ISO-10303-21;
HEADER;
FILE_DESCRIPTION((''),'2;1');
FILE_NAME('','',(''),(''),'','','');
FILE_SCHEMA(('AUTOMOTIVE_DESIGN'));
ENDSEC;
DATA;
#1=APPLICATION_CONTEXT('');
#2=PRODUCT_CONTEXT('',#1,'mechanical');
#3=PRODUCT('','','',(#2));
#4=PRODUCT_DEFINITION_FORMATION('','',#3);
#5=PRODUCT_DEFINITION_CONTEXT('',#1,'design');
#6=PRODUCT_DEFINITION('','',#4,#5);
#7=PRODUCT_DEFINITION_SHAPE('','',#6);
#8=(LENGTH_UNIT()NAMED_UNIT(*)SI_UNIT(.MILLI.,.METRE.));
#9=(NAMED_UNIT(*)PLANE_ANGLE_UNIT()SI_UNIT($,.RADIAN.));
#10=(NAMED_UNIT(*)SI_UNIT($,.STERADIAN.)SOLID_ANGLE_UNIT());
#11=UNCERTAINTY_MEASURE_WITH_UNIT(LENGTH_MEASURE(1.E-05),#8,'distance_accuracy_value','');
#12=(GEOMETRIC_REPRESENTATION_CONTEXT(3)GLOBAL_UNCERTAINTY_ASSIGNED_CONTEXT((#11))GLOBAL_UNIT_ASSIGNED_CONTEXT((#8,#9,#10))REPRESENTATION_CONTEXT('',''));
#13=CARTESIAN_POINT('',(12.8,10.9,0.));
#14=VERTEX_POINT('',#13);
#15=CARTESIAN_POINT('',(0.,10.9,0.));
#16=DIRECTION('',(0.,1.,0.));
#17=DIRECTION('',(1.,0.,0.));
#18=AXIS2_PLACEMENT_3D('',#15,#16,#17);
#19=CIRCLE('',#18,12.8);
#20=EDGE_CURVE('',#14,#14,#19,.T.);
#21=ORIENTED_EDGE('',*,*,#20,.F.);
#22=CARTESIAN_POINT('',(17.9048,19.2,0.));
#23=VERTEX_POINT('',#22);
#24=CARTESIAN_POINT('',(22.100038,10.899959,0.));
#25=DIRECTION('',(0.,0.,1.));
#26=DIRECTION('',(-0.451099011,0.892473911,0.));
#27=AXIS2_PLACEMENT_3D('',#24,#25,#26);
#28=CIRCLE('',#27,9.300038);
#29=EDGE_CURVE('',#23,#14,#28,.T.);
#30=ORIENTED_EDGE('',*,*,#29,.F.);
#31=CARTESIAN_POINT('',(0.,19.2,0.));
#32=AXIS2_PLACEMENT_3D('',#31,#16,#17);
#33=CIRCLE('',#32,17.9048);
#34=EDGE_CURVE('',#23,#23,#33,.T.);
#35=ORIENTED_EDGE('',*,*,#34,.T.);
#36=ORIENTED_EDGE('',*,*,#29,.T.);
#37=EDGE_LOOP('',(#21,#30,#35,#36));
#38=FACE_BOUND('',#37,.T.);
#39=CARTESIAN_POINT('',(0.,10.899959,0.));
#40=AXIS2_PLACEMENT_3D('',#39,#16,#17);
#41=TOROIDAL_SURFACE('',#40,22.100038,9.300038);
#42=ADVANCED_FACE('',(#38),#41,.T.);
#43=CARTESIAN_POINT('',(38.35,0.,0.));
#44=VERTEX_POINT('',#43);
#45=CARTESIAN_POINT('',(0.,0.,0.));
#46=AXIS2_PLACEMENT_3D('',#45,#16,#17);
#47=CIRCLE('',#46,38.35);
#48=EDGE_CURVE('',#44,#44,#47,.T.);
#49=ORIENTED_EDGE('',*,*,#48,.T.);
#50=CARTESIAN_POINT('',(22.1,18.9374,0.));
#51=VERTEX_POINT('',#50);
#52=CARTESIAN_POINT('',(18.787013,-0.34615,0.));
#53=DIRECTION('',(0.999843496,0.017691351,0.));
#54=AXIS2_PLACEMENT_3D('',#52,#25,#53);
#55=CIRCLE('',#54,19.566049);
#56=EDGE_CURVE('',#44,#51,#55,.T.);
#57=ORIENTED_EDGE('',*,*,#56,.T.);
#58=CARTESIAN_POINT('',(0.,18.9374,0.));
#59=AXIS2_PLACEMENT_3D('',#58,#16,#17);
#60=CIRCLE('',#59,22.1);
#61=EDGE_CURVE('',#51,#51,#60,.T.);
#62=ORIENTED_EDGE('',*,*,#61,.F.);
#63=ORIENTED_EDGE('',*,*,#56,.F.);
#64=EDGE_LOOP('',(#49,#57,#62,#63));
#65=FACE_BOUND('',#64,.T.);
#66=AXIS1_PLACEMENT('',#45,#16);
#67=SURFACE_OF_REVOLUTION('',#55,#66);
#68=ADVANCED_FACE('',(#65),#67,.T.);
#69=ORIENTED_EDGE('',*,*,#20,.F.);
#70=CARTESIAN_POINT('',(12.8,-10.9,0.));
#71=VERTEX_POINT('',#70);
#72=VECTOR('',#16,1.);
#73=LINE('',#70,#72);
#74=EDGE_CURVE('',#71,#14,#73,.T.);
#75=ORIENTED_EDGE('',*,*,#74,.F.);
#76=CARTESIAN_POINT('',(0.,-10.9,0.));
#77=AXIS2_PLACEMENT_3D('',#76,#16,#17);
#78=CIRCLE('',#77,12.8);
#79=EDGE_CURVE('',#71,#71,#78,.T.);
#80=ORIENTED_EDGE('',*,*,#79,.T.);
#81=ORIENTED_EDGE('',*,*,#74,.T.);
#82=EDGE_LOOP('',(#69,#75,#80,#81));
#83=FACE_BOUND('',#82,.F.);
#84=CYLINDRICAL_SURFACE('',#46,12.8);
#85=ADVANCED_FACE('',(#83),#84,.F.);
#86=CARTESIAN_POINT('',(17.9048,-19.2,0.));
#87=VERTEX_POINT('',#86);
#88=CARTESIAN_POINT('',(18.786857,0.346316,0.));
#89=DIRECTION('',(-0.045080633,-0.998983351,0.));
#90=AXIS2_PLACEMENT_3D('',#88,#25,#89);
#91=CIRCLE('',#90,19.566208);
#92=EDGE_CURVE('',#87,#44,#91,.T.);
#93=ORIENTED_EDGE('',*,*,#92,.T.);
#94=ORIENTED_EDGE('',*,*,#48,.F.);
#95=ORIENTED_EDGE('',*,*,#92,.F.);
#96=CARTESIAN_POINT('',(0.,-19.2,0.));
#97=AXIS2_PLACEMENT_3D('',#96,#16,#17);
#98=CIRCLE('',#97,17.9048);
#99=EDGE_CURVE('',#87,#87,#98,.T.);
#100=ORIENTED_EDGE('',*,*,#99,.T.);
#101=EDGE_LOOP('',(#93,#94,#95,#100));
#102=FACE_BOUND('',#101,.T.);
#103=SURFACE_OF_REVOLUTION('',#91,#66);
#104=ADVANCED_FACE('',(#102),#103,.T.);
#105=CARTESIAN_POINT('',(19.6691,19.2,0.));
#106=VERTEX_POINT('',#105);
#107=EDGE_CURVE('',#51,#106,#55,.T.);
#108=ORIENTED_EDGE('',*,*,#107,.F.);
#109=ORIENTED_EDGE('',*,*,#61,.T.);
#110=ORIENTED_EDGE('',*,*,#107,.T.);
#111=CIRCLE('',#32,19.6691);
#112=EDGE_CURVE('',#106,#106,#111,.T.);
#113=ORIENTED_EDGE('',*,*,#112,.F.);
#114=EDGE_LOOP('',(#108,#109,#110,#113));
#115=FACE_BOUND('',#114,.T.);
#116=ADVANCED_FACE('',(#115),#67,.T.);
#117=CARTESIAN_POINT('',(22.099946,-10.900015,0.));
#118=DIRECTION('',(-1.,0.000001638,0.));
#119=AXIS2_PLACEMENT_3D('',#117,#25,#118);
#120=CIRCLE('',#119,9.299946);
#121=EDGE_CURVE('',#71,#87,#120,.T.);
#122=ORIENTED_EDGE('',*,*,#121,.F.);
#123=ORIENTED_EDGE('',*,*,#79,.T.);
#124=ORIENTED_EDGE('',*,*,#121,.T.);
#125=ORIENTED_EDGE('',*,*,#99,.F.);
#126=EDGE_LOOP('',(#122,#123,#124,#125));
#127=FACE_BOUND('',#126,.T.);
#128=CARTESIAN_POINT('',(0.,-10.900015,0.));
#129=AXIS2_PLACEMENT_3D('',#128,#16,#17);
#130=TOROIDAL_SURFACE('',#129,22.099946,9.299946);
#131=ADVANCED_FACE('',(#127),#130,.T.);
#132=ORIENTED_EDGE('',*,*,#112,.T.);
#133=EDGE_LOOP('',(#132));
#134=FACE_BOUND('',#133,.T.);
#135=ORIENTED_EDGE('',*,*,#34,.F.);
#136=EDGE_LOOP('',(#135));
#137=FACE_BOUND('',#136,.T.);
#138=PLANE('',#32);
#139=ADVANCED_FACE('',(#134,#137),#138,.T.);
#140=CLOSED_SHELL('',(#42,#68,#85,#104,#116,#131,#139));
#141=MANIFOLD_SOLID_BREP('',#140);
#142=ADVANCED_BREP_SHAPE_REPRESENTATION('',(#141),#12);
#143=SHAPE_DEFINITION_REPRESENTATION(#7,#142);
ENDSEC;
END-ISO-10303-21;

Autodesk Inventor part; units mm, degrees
ref_plane "YZ Plane" through (0, 0, 0) normal (1, 0, 0) x (0, 1, 0)
ref_plane "XZ Plane" through (0, 0, 0) normal (0, 1, 0) x (-1, 0, 0)
ref_plane "XY Plane" through (0, 0, 0) normal (0, 0, 1) x (1, 0, 0)
sketch "Sketch1" plane through (0, 0, 0) normal (0, 0, 1) x (1, 0, 0)
  line L0 (0, 0) -> (12.8, 0)
  line L1 (0, 0) -> (38.35, 0)
  line L2 (0, 0) -> (22.1, 0)
  line L3 (12.8, 0) -> (28.4, 0)
  line L4 (0, 0) -> (22.1, 0)
  line L5 (12.8, 0) -> (12.8, 10.9)
  line L6 (12.8, 0) -> (12.8, -10.9)
  line L7 (0, 0) -> (0, 15.6)
  arc A0 (17.9048, 19.2) -> (12.8, 10.9) centre (22.1, 10.9) ccw
  line L8 (22.1, 18.9374) -> (22.1, 19.2)
  line L9 (19.6691, 19.2) -> (17.9048, 19.2)
  arc A1 (38.35, 0) -> (17.9048, 19.2) centre (18.7869, -0.3462) ccw
  line L10 (12.8, 0) -> (12.8, -10.9)
  arc A2 (12.8, -10.9) -> (17.9048, -19.2) centre (22.1, -10.9) ccw
  arc A3 (17.9048, -19.2) -> (38.35, 0) centre (18.7869, 0.3462) ccw
  dimension "d0" = 12.8
  dimension "d1" = 38.35
  dimension "d4" = 22.1
  dimension "d5" = 10.9
  dimension "d8" = 19.2
revolve "Revolution2" add sketch "Sketch1" angle 360 about axis through (0, 0, 0) along (0, 1, 0) contours L5 A0 L9 A1 L1 | L1 A3 A2 L6
properties part number "8001_250uH_DCore_2layer_Tx_Filter_MPSv2_v1"
